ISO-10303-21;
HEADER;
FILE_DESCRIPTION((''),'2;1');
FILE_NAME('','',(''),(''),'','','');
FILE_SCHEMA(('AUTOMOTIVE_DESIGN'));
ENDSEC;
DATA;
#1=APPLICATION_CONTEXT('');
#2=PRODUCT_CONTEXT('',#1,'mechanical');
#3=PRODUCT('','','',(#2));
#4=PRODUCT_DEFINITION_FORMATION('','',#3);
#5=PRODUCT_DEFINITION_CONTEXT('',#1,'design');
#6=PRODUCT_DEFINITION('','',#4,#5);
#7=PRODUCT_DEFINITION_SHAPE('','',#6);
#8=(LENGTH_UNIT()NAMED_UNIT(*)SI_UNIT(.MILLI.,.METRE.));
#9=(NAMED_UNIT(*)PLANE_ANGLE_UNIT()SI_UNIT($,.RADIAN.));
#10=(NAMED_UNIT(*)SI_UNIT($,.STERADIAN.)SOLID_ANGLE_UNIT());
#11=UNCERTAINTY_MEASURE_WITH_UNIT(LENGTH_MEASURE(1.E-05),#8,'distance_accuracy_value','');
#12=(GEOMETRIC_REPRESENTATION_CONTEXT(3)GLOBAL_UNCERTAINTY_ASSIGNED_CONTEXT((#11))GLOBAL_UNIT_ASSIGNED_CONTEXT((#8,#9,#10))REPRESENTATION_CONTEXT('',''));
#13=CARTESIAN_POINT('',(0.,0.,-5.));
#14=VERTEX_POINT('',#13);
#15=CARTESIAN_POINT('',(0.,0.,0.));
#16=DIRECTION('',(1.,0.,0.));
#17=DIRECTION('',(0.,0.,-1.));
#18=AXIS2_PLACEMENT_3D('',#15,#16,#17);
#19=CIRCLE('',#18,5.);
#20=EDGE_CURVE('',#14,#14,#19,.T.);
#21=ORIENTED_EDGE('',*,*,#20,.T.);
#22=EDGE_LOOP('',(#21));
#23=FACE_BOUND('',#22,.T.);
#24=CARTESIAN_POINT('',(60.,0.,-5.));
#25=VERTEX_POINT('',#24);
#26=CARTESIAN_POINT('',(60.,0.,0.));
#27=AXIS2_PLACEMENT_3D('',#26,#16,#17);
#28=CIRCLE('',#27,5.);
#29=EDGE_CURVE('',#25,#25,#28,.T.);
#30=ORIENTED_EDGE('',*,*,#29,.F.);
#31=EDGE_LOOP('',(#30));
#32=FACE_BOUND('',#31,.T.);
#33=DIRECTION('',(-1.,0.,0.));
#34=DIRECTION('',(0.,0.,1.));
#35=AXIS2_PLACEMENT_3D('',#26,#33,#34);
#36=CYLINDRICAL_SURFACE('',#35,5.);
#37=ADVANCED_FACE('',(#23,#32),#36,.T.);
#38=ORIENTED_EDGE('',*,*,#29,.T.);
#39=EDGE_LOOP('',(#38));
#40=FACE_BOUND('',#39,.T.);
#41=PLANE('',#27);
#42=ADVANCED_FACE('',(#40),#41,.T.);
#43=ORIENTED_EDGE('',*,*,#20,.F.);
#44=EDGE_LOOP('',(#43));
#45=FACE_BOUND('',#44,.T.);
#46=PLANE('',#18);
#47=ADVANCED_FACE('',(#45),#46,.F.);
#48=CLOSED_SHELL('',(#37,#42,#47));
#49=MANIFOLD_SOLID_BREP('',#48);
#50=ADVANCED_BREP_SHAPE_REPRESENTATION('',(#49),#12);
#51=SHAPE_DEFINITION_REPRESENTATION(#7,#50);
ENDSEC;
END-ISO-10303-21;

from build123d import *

# Parameters (mm, degrees)
SKETCH1_R           = 5
BOSS_EXTRUDE1_DEPTH = 60


with BuildPart() as part:
    # Sketch1 → Boss-Extrude1 (new body)
    with BuildSketch(Plane(origin=(0, 0, 0), x_dir=(0, 0, -1), z_dir=(1, 0, 0))):
        Circle(SKETCH1_R)
    extrude(amount=BOSS_EXTRUDE1_DEPTH)


solid = part.part
